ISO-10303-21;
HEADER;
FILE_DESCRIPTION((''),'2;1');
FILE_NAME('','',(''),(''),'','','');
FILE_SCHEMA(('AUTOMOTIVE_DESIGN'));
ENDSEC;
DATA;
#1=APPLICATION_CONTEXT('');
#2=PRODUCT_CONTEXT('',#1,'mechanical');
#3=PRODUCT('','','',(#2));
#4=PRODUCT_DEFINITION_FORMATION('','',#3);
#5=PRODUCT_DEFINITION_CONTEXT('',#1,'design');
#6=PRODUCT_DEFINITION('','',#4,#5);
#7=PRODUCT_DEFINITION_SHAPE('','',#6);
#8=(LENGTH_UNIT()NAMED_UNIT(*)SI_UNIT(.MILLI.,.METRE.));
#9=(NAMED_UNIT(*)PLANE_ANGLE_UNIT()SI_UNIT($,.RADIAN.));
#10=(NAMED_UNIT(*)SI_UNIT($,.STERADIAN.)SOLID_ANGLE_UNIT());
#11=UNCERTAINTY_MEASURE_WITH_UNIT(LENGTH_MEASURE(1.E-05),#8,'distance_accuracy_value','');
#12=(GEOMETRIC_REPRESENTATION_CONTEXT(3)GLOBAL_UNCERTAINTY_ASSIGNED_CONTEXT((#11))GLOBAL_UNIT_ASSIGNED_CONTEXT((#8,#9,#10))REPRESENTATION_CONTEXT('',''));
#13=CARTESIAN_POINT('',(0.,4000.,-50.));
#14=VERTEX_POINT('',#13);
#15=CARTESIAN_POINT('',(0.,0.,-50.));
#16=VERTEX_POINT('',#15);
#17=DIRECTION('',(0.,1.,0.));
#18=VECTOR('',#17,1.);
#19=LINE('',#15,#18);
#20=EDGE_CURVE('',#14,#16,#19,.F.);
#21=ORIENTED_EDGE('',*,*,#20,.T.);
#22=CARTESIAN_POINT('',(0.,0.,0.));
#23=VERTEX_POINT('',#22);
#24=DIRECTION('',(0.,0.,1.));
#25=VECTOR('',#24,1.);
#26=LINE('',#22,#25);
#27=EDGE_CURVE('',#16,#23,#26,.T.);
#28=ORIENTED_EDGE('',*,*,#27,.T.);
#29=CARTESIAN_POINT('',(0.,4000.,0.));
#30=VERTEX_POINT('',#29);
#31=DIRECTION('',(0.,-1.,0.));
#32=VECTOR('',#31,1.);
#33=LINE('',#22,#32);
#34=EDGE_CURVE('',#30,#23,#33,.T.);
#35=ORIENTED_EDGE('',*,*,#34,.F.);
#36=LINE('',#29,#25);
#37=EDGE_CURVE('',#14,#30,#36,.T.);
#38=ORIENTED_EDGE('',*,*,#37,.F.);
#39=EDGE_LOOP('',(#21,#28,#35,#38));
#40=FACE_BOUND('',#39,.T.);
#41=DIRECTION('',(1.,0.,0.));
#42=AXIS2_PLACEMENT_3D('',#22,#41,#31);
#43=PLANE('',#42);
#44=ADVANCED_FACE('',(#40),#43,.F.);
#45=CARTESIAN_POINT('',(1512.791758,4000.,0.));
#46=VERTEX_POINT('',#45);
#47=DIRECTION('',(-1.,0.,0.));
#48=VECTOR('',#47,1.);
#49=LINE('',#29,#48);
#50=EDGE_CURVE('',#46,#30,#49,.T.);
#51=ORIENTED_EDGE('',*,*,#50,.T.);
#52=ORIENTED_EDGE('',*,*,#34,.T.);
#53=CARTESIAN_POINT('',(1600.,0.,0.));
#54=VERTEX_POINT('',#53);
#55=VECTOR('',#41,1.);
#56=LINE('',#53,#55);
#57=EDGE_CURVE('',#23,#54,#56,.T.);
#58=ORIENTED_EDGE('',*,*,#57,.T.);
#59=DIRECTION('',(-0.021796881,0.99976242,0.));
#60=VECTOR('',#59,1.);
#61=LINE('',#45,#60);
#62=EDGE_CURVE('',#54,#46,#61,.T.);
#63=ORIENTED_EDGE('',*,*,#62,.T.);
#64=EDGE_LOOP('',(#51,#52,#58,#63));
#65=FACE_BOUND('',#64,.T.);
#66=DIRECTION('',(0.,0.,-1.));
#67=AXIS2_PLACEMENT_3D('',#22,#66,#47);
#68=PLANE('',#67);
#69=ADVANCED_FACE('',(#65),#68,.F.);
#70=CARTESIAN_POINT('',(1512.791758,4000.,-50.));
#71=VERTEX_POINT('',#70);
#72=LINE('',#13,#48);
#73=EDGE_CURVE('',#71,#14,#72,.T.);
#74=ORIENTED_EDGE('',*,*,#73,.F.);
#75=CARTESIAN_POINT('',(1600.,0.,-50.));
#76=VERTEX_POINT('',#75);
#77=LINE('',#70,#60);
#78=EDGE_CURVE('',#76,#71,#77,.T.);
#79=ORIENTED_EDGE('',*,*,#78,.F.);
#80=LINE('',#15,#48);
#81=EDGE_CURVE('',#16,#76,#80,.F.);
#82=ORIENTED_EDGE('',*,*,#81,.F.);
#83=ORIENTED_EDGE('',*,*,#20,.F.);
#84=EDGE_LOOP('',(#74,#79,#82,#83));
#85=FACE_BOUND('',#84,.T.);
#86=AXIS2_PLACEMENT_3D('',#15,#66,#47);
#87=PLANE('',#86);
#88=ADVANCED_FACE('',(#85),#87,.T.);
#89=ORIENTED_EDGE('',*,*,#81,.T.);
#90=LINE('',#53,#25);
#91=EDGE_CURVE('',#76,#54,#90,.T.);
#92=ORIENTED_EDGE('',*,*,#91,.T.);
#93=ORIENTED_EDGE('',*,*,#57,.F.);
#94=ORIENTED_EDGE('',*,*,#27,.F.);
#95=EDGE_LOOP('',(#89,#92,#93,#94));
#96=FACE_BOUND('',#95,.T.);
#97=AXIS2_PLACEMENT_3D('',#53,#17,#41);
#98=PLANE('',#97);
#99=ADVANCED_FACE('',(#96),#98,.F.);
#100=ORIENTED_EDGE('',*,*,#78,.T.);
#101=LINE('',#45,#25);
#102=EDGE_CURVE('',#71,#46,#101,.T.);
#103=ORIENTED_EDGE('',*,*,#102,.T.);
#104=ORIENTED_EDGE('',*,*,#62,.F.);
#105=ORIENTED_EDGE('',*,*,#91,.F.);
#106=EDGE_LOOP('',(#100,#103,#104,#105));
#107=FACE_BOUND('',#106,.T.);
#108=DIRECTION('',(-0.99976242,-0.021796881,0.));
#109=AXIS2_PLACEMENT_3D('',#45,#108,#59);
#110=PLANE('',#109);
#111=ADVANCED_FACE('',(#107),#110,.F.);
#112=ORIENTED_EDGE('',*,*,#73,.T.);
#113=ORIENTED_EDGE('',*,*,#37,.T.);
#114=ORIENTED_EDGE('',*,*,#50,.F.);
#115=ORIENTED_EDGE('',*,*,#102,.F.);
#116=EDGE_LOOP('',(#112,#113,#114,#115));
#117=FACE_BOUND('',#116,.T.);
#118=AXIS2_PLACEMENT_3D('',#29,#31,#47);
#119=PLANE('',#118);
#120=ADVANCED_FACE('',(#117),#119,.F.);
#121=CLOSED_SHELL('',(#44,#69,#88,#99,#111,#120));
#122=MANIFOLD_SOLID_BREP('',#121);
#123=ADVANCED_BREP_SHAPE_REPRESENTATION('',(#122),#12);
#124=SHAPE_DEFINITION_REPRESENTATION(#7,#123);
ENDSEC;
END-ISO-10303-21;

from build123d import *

# Parameters (mm, degrees)
THICKEN1_T2 = 50


with BuildPart() as body_1:
    # Sketch4 → Surface-Plane1: a flat surface bounded by the sketch
    with BuildSketch(Plane.XY, mode=Mode.PRIVATE) as surface_plane1_1_region:
        Polygon((0, 0), (0, 4000), (1512.79175792, 4000), (1600, 0), align=None)
    surface_plane1_1 = surface_plane1_1_region.sketch.faces()[0]
    add(Solid.thicken(surface_plane1_1, -THICKEN1_T2))


solid = body_1.part
